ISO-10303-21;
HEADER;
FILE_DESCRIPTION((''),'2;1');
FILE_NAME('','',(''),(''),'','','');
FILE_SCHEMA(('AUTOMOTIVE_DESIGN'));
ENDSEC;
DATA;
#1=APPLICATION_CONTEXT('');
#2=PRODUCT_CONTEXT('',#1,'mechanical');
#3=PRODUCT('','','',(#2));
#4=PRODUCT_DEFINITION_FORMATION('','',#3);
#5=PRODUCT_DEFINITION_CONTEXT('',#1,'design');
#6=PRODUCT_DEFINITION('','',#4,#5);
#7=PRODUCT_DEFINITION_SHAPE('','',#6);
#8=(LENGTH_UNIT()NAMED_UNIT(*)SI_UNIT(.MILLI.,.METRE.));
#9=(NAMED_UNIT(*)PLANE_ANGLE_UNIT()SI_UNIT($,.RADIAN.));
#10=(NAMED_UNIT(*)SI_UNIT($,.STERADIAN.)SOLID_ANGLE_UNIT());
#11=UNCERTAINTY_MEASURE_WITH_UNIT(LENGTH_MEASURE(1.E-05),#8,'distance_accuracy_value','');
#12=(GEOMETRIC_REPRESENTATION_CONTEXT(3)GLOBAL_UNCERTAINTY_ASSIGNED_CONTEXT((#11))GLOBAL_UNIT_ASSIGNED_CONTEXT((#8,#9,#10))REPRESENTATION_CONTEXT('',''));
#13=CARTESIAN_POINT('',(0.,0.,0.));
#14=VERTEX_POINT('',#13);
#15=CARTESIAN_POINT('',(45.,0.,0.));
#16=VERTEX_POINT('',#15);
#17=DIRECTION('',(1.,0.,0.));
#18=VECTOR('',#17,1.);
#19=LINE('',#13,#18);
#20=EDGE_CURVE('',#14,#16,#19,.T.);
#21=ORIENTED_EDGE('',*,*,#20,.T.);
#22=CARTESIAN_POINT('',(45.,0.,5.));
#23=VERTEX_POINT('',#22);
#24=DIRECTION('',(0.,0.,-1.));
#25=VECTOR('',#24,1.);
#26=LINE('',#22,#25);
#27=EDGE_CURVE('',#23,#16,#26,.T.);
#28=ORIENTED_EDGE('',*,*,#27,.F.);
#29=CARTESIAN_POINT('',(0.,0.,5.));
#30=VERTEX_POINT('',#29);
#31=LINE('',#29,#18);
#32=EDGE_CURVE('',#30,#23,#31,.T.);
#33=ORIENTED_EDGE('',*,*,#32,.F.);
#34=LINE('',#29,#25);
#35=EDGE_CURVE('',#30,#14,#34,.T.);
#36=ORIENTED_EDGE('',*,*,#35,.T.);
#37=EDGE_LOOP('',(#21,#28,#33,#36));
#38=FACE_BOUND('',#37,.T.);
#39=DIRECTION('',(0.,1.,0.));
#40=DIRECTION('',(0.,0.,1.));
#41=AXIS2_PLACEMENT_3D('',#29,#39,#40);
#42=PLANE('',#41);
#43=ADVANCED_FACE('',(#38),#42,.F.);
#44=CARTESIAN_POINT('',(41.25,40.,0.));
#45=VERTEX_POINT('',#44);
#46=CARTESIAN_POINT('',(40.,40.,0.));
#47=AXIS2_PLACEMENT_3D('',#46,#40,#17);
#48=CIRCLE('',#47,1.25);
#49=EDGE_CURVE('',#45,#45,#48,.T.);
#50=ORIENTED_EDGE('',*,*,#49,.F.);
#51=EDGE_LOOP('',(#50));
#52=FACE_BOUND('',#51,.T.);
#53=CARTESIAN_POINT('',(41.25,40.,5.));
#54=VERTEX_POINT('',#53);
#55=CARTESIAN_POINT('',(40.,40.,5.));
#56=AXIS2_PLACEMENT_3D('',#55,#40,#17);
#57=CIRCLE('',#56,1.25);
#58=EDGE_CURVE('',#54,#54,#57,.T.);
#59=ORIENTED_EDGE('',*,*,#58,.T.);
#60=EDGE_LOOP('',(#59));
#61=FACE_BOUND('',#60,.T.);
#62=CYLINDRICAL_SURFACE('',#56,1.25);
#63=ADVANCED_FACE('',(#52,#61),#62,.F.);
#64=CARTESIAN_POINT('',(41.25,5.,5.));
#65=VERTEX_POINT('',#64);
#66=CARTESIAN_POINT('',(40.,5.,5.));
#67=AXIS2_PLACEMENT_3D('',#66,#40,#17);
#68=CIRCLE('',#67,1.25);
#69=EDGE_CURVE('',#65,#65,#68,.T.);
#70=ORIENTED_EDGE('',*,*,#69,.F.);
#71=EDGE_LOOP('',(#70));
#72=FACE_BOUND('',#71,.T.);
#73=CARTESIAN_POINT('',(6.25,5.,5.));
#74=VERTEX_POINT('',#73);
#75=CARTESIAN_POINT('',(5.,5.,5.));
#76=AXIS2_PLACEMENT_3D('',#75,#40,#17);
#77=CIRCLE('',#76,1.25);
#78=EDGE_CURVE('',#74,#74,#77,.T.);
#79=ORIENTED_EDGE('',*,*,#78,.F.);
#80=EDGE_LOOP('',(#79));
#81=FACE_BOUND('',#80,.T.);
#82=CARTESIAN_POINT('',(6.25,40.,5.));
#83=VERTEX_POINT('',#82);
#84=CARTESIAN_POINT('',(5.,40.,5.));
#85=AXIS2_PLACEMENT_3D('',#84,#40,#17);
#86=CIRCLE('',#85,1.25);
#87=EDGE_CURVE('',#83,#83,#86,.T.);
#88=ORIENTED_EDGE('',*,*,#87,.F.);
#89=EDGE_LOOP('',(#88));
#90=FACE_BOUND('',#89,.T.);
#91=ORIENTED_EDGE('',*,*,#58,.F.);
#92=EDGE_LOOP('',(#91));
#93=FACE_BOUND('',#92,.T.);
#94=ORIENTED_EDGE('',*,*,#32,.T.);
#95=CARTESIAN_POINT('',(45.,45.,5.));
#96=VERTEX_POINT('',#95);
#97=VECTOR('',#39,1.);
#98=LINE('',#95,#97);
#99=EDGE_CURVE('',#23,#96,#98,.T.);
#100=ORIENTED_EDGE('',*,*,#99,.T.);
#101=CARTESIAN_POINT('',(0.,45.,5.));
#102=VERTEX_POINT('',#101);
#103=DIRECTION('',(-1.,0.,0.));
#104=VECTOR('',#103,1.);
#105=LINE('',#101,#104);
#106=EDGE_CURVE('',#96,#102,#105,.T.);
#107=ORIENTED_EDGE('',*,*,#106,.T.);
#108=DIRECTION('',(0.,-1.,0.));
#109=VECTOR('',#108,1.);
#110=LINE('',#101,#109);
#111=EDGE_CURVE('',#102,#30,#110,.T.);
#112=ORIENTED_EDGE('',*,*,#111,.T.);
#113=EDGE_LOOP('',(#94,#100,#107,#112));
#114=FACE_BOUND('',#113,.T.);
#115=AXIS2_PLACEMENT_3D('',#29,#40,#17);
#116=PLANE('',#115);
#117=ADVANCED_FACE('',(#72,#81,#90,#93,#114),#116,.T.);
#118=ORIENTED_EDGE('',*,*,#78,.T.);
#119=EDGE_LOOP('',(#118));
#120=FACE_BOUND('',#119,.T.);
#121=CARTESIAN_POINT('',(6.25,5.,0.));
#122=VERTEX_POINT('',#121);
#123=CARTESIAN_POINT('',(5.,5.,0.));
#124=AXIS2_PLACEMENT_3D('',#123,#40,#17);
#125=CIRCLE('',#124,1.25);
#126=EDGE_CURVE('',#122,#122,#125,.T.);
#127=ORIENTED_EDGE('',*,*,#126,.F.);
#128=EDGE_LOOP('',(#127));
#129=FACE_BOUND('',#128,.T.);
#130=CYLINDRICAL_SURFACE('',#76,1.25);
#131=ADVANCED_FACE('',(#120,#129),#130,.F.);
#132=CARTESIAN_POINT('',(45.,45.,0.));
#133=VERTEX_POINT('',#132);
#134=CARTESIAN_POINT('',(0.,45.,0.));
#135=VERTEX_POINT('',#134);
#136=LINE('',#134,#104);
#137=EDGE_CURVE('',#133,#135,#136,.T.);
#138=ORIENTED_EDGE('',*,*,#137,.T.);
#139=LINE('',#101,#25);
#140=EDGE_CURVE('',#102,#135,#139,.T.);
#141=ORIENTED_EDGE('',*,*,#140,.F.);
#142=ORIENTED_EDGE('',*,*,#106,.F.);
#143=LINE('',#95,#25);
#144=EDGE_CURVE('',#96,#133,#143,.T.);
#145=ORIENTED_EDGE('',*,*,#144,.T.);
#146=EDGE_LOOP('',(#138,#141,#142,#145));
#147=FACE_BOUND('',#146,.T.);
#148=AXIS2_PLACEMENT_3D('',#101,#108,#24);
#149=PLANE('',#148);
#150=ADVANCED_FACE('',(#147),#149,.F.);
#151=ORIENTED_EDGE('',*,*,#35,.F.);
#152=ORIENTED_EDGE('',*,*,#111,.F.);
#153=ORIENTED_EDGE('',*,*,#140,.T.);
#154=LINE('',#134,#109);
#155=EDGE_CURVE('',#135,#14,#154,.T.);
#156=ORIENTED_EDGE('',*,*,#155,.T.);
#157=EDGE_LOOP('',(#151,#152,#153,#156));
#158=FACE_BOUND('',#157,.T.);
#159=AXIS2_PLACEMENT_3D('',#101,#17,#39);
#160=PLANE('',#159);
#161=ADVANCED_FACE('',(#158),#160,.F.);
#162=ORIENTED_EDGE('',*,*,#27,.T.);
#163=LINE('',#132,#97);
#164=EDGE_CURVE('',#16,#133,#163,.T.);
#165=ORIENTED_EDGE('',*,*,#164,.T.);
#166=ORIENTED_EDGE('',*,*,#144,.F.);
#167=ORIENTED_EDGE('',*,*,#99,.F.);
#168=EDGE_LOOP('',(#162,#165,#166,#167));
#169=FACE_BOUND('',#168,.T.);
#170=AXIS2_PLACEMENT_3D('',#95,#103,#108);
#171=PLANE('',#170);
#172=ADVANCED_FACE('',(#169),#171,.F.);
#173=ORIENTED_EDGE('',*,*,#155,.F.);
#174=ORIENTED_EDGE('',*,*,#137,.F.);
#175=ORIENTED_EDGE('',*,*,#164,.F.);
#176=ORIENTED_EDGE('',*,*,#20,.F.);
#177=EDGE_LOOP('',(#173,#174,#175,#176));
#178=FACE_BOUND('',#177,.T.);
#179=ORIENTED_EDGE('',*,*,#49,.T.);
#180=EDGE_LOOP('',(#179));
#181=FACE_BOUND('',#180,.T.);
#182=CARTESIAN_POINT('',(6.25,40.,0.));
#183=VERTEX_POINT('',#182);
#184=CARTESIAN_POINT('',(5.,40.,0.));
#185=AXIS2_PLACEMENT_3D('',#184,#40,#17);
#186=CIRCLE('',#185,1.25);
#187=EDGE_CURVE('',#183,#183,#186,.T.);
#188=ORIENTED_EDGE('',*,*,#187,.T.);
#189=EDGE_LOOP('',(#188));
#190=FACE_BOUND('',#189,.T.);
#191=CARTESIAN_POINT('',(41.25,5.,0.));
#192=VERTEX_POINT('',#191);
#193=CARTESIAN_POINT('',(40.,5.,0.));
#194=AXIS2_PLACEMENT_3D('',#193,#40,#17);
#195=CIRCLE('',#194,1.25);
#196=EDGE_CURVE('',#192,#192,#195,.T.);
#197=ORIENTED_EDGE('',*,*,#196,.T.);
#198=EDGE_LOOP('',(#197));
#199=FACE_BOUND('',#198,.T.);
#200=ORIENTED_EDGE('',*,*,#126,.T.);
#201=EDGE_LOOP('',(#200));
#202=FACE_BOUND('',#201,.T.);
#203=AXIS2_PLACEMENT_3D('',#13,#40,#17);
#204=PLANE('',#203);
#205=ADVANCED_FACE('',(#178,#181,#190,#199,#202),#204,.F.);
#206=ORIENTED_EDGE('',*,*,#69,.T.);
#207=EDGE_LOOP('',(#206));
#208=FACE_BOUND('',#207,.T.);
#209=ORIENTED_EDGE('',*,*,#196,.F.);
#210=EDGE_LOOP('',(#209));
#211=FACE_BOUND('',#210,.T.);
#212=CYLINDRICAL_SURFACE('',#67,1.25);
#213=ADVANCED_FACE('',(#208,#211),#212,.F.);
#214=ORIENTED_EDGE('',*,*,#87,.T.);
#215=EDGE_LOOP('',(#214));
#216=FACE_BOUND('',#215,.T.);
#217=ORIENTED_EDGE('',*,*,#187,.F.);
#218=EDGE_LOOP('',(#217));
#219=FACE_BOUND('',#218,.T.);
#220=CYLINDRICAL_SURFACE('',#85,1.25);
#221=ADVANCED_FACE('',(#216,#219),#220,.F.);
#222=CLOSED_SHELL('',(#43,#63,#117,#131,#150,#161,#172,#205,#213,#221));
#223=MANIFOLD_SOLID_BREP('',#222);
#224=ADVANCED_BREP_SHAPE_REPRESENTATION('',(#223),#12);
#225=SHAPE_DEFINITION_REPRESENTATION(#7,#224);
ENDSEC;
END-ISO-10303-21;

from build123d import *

# Parameters (mm, degrees)
ESQUISSE1_W                                   = 45
ESQUISSE1_H                                   = 45
BOSS_EXTRU_1_DEPTH                            = 5
TROU_POUR_TARAUDAGE_POUR_TROU_TARAUD_M3_D     = 2.5
TROU_POUR_TARAUDAGE_POUR_TROU_TARAUD_M3_DEPTH = 10
TROU_POUR_TARAUDAGE_POUR_TROU_TARAUD_M3_TIP   = 0.751075774


with BuildPart() as part:
    # Esquisse1 → Boss.-Extru.1 (new body)
    with BuildSketch(Plane.XY):
        with Locations((22.5, 22.5)):
            Rectangle(ESQUISSE1_W, ESQUISSE1_H)
    extrude(amount=BOSS_EXTRU_1_DEPTH)

    # Trou pour taraudage pour trou taraudé M3x0.51
    with Locations(Plane.XY.offset(5)):
        with Locations((5, 40), (40, 5), (40, 40), (5, 5)):
            Hole(TROU_POUR_TARAUDAGE_POUR_TROU_TARAUD_M3_D / 2, depth=TROU_POUR_TARAUDAGE_POUR_TROU_TARAUD_M3_DEPTH)
            with Locations((0, 0, -(TROU_POUR_TARAUDAGE_POUR_TROU_TARAUD_M3_DEPTH + TROU_POUR_TARAUDAGE_POUR_TROU_TARAUD_M3_TIP / 2))):  # 118° drill point
                Cone(0, TROU_POUR_TARAUDAGE_POUR_TROU_TARAUD_M3_D / 2, TROU_POUR_TARAUDAGE_POUR_TROU_TARAUD_M3_TIP, mode=Mode.SUBTRACT)


solid = part.part
